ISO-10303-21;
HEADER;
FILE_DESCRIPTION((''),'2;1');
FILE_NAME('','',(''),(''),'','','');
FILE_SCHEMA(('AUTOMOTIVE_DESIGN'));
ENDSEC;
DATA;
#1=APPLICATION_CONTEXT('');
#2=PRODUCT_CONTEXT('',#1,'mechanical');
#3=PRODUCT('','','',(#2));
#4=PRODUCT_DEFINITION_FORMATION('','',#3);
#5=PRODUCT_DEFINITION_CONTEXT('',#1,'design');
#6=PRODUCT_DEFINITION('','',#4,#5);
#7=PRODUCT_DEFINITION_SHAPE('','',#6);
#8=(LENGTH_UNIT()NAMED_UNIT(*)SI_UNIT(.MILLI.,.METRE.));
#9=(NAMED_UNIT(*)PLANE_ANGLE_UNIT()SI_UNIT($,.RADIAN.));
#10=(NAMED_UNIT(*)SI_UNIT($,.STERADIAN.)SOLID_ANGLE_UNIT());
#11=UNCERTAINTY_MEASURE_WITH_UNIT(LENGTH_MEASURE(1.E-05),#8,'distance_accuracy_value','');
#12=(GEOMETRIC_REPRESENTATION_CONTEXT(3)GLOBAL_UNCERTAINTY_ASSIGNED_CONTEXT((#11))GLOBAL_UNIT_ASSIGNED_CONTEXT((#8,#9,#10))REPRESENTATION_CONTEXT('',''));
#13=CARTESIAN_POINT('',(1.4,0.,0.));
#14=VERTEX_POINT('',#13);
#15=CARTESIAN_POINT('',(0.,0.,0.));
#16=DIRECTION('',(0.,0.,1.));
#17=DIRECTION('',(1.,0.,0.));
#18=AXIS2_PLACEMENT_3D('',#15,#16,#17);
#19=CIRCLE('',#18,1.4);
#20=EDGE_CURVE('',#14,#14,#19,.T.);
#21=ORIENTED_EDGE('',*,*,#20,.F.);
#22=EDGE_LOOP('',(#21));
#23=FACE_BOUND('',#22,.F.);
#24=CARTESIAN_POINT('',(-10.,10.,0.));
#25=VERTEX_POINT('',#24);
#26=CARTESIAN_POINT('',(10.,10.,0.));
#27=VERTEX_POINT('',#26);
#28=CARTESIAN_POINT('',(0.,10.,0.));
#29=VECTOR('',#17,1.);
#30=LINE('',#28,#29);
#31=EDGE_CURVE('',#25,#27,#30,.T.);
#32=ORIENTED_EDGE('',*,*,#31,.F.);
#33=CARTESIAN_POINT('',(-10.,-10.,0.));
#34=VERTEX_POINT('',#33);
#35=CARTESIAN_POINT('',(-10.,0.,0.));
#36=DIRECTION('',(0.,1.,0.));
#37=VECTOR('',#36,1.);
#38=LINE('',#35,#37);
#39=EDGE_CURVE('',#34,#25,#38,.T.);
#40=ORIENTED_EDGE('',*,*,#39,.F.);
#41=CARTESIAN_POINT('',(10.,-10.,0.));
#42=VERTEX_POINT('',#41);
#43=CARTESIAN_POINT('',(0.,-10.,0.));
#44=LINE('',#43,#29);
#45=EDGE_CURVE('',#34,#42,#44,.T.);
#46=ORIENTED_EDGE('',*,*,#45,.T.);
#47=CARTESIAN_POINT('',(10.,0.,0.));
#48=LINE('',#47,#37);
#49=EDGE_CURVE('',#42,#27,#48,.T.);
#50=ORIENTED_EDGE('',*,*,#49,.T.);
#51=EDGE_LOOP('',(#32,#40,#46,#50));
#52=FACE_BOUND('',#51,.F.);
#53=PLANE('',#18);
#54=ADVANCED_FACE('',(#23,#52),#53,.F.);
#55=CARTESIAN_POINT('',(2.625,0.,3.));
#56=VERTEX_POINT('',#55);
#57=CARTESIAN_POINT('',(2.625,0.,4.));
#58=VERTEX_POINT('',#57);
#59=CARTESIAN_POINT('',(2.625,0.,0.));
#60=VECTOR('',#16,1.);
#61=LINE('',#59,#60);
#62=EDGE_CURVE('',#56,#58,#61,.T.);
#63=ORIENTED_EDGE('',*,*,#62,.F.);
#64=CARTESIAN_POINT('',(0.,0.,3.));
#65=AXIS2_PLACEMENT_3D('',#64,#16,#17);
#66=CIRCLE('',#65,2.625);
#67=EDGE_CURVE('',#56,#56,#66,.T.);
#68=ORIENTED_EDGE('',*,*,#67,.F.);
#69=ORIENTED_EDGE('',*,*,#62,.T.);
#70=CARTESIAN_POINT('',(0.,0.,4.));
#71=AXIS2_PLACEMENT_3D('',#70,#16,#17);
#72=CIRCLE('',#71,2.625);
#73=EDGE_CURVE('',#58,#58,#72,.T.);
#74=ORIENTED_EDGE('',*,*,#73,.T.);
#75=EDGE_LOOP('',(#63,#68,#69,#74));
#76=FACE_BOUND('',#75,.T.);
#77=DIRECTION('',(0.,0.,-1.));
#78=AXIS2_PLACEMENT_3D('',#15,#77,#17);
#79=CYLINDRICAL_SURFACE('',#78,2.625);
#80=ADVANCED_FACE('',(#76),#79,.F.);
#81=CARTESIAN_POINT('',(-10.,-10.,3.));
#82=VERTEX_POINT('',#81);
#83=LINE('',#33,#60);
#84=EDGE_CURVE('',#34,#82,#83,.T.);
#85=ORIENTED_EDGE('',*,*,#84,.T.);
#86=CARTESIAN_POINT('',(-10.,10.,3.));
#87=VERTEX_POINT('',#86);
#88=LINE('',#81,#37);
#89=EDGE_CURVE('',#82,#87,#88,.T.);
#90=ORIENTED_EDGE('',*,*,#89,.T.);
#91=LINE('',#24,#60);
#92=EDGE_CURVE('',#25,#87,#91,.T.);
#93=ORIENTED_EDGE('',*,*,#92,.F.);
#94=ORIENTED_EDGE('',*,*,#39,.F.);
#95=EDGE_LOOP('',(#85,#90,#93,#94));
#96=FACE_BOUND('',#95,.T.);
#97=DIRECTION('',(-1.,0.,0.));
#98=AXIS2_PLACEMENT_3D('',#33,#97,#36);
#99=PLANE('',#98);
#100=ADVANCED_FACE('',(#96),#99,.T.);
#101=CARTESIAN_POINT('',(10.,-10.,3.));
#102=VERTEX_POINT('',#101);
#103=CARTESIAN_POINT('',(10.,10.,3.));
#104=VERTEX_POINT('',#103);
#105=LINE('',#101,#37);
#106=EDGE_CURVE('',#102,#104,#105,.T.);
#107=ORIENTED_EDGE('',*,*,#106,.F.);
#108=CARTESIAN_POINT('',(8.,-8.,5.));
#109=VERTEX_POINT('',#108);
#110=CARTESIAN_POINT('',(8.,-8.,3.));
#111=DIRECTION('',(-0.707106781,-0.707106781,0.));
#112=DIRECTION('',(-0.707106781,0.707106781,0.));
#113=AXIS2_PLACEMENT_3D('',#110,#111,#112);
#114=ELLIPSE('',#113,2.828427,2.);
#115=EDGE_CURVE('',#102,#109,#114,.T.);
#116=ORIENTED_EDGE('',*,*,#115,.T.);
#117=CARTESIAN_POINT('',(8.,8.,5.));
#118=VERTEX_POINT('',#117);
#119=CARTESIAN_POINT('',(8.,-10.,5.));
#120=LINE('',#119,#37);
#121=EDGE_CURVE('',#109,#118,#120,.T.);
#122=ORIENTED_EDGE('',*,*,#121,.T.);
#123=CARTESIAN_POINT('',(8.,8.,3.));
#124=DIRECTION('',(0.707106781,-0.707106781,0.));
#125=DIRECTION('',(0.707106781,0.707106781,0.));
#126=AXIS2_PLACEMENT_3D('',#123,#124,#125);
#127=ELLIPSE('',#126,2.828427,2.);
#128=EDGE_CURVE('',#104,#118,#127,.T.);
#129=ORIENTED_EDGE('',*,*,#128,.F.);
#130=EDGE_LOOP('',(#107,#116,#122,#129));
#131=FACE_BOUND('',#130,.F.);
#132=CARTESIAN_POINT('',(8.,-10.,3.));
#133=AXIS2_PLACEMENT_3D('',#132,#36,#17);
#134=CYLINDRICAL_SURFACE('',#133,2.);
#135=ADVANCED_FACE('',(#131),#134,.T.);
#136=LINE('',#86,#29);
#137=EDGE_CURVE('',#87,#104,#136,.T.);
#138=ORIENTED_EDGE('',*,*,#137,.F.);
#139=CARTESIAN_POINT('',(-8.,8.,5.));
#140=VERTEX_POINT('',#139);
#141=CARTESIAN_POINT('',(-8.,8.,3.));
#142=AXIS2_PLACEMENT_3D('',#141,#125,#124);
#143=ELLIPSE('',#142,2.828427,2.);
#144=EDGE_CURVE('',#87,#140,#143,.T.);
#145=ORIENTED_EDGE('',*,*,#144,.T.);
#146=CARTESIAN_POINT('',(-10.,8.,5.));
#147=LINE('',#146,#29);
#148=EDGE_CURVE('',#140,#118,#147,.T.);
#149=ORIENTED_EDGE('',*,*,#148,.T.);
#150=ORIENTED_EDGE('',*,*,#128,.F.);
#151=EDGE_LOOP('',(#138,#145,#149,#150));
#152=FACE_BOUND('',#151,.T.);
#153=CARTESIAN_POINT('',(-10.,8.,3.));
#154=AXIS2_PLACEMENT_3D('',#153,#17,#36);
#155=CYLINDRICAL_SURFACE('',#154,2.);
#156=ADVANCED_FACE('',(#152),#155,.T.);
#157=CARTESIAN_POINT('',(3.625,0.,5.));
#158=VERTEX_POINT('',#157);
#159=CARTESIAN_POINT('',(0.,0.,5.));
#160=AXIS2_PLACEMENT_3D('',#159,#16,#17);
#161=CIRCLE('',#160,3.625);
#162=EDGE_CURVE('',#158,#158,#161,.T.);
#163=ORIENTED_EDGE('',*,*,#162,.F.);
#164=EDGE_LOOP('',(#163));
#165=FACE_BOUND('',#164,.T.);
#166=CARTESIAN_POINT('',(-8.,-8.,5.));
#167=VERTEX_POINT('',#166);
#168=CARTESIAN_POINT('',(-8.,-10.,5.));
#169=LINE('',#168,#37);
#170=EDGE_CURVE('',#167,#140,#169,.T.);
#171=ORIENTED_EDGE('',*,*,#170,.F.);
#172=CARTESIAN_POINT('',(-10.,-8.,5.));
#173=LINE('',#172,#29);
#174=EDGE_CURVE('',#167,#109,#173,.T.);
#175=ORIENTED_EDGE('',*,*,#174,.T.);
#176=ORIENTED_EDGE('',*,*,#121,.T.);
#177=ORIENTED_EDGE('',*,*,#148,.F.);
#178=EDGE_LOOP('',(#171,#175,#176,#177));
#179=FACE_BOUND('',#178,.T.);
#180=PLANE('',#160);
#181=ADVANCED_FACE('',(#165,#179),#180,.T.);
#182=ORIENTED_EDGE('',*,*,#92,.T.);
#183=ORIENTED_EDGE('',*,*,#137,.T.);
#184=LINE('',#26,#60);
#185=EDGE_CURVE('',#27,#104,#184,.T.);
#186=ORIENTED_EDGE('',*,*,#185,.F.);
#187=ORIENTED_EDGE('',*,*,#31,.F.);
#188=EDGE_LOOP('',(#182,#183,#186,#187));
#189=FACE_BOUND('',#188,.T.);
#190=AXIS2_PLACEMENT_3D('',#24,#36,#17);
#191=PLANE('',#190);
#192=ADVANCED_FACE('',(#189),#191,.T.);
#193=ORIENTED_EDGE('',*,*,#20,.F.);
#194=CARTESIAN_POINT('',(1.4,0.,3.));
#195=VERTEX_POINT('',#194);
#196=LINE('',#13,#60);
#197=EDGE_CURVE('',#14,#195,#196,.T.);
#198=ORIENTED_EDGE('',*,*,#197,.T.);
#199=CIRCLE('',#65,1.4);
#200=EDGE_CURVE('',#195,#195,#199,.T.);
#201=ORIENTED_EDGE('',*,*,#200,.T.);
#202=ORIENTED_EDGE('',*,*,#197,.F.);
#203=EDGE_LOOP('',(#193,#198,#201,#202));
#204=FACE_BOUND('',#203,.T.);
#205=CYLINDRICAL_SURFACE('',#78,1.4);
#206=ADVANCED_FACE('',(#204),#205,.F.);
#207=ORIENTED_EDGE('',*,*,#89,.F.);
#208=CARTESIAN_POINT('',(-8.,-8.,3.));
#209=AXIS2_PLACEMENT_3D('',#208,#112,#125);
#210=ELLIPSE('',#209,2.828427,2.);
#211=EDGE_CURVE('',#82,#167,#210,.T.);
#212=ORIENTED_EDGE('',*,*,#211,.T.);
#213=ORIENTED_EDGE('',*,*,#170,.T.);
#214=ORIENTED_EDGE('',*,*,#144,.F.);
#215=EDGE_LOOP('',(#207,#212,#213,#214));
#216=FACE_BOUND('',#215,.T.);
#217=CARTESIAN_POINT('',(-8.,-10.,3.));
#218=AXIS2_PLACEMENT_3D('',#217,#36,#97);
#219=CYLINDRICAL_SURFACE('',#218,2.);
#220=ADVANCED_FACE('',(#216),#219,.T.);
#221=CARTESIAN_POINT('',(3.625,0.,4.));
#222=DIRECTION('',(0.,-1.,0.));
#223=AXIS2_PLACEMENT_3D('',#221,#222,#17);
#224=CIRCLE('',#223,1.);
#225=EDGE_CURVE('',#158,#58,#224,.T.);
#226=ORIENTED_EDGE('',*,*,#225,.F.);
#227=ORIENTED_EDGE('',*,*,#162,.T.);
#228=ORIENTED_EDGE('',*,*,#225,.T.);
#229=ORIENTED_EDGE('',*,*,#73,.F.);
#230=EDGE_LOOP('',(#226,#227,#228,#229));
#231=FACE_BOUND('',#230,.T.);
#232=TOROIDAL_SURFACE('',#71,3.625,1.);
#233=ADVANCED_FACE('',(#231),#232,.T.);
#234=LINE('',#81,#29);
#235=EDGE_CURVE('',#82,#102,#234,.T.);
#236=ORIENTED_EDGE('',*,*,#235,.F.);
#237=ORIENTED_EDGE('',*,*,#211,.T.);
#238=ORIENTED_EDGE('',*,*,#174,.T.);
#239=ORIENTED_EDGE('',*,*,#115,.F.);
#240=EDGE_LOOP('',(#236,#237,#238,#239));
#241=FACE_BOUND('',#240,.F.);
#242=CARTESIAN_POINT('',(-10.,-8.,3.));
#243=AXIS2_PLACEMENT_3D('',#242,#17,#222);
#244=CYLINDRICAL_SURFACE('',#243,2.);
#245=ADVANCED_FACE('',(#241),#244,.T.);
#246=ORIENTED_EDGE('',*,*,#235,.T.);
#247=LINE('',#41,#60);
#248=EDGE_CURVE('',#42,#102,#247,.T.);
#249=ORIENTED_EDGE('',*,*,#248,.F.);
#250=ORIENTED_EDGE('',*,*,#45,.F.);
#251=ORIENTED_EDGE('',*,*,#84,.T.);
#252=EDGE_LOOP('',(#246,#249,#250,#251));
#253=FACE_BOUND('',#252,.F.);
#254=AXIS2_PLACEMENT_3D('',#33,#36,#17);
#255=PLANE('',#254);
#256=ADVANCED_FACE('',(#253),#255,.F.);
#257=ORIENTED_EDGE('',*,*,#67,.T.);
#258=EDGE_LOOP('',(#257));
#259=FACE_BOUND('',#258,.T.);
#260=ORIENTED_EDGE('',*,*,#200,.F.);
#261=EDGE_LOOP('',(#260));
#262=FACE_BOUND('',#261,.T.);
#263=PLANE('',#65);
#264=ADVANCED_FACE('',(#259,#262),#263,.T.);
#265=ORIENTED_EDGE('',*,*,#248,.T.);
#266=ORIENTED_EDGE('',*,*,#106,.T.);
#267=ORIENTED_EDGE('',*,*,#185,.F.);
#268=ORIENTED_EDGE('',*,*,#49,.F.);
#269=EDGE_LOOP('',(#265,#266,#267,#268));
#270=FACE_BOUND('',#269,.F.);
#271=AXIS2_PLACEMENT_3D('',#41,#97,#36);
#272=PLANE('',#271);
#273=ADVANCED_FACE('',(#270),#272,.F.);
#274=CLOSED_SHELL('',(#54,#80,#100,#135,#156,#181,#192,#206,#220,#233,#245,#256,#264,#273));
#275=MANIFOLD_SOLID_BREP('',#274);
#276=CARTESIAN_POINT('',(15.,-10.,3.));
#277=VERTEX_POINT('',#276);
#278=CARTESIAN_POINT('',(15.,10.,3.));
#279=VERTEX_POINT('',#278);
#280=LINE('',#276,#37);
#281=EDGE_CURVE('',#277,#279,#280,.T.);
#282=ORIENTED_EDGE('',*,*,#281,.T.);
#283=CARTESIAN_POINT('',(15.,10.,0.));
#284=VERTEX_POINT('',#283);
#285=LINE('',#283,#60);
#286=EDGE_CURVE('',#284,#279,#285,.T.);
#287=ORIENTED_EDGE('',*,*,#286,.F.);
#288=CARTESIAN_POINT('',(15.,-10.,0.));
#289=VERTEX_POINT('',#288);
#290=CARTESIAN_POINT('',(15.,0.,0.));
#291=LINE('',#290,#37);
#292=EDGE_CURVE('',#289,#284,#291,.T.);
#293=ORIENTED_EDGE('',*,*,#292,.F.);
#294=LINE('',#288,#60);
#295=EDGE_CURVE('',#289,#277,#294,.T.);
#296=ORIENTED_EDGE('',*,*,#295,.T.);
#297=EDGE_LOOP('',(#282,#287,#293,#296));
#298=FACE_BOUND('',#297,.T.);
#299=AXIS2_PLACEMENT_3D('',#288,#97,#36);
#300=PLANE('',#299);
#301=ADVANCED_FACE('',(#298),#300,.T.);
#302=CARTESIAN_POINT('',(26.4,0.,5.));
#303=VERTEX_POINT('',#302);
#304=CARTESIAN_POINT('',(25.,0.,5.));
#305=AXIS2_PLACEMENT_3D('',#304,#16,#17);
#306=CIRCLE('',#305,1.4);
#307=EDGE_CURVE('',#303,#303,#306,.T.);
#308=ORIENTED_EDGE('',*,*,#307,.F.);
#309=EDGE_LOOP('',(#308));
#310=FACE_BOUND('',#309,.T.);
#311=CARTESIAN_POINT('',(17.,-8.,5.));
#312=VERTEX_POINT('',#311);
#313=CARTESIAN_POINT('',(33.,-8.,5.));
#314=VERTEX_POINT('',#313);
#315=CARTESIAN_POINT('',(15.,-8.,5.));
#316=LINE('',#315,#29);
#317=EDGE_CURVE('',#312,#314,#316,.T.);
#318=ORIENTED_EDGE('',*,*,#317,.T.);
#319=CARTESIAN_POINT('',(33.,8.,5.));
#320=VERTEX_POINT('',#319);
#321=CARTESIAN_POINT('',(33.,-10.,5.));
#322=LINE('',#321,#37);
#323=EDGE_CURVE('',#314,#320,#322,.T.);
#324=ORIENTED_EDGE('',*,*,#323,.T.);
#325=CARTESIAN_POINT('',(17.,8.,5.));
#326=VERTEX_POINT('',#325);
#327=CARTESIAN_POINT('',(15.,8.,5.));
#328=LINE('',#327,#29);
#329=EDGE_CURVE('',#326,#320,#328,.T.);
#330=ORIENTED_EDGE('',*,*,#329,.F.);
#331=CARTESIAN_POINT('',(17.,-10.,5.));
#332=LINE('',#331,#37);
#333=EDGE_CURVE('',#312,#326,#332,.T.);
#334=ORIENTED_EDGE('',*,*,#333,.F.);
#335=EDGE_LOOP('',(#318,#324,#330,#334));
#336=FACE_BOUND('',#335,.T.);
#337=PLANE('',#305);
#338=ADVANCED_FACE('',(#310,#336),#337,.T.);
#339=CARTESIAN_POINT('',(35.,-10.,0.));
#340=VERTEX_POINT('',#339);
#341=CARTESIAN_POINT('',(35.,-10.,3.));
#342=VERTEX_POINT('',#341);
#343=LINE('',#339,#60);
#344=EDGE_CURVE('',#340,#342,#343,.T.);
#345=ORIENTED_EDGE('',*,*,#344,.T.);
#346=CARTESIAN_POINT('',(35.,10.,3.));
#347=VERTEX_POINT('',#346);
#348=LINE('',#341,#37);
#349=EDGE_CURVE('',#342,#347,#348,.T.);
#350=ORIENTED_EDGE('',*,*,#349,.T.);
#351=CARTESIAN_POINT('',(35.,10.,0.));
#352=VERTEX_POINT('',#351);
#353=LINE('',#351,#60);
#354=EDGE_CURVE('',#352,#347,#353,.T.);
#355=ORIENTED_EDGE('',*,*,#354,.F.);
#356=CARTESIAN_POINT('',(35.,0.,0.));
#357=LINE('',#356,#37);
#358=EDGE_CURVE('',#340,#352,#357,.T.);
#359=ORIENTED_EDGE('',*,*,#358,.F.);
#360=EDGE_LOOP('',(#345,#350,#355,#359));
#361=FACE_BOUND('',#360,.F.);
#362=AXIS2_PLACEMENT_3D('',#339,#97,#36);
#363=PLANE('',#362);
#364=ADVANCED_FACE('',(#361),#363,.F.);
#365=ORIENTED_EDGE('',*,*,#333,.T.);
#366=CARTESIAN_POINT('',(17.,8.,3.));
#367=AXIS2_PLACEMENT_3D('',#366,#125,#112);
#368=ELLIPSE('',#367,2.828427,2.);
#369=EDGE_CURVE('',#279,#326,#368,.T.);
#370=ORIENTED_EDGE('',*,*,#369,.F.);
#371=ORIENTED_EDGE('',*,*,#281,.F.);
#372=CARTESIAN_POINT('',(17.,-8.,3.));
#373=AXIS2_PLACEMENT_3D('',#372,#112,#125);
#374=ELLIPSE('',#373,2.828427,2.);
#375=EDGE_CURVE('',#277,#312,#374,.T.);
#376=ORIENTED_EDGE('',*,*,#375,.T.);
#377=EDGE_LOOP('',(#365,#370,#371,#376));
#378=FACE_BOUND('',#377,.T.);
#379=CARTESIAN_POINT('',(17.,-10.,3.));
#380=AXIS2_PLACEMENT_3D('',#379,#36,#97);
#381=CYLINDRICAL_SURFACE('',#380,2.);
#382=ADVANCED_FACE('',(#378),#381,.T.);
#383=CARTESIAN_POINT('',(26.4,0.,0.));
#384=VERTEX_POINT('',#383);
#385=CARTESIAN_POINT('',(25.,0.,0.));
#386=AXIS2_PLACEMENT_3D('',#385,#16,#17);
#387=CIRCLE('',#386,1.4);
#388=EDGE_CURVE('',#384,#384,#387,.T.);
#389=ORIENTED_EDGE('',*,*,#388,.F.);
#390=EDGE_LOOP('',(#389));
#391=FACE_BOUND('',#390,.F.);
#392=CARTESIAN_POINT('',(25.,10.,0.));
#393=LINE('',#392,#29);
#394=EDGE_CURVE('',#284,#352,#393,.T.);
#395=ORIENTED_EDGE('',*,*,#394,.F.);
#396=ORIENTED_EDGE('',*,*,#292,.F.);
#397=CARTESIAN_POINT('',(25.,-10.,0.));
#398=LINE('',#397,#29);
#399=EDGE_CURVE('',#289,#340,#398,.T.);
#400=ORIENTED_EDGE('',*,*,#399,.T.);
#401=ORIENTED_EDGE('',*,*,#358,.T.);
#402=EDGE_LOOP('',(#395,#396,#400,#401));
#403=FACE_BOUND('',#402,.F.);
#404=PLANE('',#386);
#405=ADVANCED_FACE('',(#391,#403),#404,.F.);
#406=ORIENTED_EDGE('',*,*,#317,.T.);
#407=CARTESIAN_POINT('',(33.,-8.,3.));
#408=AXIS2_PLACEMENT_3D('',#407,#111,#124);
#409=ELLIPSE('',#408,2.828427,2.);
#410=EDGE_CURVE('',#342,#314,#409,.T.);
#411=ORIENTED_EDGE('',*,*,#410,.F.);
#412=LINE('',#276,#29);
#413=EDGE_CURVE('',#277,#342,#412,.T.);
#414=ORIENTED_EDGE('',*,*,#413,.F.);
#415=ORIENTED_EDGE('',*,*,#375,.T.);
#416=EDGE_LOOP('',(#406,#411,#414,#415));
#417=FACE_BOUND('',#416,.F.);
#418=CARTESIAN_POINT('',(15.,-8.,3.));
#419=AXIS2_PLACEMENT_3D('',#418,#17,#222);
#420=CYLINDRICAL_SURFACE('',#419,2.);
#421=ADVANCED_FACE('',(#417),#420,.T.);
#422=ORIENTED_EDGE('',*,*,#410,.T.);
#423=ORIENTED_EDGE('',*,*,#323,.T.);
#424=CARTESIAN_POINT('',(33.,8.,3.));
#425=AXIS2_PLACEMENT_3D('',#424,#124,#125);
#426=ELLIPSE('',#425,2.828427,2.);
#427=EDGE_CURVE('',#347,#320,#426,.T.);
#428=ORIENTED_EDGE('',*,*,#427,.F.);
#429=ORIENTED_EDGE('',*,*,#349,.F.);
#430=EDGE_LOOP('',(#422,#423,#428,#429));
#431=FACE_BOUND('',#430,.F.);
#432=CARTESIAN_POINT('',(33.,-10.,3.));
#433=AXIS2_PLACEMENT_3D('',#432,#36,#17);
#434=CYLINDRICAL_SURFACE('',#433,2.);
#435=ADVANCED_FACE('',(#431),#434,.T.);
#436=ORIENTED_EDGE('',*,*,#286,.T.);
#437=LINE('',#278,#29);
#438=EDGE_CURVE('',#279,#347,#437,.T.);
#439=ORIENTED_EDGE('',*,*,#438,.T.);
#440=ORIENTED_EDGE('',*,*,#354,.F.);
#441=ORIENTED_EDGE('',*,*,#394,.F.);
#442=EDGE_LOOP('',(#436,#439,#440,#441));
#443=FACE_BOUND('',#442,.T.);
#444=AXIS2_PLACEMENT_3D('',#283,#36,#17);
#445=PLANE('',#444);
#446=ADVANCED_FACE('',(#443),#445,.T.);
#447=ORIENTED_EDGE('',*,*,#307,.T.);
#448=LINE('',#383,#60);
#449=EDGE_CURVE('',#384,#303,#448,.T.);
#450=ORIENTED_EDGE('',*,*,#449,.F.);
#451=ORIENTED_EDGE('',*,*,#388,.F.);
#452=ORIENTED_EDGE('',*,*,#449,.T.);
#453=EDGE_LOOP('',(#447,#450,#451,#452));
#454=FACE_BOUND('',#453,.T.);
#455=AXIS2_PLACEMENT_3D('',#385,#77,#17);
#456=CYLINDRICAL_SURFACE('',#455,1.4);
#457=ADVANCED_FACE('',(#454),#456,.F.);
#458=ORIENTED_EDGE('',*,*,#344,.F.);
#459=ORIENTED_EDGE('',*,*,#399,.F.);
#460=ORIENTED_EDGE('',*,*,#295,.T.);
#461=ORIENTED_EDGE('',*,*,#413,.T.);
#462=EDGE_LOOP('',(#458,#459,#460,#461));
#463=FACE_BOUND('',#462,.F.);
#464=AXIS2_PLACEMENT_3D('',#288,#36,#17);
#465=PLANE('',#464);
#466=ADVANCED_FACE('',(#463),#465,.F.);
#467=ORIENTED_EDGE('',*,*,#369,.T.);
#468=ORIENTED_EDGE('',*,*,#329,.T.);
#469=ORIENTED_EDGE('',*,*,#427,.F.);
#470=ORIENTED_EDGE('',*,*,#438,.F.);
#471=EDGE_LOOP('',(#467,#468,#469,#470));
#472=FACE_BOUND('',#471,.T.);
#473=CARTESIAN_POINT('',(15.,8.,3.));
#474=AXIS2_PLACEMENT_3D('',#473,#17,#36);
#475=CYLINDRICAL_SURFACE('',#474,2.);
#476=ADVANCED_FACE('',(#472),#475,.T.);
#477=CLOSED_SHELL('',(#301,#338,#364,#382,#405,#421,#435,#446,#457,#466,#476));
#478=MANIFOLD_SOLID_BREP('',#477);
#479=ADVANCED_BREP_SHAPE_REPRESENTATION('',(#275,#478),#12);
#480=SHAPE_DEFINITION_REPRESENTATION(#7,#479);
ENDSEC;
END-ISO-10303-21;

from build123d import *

# Parameters (mm, degrees)
F0_W     = 20
F0_H     = 20
F0_R     = 2.625
F0_R_2   = 1.4
F1_DEPTH = 5
F2_DEPTH = 3
F3_R     = 2
F4_R     = 1


with BuildPart() as f1:
    # F0 (on Top) → F1 (new body)
    with BuildSketch(Plane.XY):
        Rectangle(F0_W, F0_H)
        Circle(F0_R, mode=Mode.SUBTRACT)
        with Locations((25, 0)):
            Rectangle(F0_W, F0_H)
        with Locations((25, 0)):
            Circle(F0_R_2, mode=Mode.SUBTRACT)
    extrude(amount=F1_DEPTH)

    # F0 (on Top) → F2 (join)
    with BuildSketch(Plane.XY):
        Circle(F0_R)
        Circle(F0_R_2, mode=Mode.SUBTRACT)
    extrude(amount=F2_DEPTH)

    # F3
    f3_edges = [f1.edges().sort_by_distance(p)[0] for p in [
        (10, 0, 5),
        (0, -10, 5),
        (0, 10, 5),
        (-10, 0, 5),
        (25, -10, 5),
        (15, 0, 5),
        (25, 10, 5),
        (35, 0, 5),
    ]]
    fillet(f3_edges, radius=F3_R)

    # F4
    f4_edges = [f1.edges().sort_by_distance(p)[0] for p in [
        (-2.625, 0, 5),
    ]]
    fillet(f4_edges, radius=F4_R)


solid = f1.part
